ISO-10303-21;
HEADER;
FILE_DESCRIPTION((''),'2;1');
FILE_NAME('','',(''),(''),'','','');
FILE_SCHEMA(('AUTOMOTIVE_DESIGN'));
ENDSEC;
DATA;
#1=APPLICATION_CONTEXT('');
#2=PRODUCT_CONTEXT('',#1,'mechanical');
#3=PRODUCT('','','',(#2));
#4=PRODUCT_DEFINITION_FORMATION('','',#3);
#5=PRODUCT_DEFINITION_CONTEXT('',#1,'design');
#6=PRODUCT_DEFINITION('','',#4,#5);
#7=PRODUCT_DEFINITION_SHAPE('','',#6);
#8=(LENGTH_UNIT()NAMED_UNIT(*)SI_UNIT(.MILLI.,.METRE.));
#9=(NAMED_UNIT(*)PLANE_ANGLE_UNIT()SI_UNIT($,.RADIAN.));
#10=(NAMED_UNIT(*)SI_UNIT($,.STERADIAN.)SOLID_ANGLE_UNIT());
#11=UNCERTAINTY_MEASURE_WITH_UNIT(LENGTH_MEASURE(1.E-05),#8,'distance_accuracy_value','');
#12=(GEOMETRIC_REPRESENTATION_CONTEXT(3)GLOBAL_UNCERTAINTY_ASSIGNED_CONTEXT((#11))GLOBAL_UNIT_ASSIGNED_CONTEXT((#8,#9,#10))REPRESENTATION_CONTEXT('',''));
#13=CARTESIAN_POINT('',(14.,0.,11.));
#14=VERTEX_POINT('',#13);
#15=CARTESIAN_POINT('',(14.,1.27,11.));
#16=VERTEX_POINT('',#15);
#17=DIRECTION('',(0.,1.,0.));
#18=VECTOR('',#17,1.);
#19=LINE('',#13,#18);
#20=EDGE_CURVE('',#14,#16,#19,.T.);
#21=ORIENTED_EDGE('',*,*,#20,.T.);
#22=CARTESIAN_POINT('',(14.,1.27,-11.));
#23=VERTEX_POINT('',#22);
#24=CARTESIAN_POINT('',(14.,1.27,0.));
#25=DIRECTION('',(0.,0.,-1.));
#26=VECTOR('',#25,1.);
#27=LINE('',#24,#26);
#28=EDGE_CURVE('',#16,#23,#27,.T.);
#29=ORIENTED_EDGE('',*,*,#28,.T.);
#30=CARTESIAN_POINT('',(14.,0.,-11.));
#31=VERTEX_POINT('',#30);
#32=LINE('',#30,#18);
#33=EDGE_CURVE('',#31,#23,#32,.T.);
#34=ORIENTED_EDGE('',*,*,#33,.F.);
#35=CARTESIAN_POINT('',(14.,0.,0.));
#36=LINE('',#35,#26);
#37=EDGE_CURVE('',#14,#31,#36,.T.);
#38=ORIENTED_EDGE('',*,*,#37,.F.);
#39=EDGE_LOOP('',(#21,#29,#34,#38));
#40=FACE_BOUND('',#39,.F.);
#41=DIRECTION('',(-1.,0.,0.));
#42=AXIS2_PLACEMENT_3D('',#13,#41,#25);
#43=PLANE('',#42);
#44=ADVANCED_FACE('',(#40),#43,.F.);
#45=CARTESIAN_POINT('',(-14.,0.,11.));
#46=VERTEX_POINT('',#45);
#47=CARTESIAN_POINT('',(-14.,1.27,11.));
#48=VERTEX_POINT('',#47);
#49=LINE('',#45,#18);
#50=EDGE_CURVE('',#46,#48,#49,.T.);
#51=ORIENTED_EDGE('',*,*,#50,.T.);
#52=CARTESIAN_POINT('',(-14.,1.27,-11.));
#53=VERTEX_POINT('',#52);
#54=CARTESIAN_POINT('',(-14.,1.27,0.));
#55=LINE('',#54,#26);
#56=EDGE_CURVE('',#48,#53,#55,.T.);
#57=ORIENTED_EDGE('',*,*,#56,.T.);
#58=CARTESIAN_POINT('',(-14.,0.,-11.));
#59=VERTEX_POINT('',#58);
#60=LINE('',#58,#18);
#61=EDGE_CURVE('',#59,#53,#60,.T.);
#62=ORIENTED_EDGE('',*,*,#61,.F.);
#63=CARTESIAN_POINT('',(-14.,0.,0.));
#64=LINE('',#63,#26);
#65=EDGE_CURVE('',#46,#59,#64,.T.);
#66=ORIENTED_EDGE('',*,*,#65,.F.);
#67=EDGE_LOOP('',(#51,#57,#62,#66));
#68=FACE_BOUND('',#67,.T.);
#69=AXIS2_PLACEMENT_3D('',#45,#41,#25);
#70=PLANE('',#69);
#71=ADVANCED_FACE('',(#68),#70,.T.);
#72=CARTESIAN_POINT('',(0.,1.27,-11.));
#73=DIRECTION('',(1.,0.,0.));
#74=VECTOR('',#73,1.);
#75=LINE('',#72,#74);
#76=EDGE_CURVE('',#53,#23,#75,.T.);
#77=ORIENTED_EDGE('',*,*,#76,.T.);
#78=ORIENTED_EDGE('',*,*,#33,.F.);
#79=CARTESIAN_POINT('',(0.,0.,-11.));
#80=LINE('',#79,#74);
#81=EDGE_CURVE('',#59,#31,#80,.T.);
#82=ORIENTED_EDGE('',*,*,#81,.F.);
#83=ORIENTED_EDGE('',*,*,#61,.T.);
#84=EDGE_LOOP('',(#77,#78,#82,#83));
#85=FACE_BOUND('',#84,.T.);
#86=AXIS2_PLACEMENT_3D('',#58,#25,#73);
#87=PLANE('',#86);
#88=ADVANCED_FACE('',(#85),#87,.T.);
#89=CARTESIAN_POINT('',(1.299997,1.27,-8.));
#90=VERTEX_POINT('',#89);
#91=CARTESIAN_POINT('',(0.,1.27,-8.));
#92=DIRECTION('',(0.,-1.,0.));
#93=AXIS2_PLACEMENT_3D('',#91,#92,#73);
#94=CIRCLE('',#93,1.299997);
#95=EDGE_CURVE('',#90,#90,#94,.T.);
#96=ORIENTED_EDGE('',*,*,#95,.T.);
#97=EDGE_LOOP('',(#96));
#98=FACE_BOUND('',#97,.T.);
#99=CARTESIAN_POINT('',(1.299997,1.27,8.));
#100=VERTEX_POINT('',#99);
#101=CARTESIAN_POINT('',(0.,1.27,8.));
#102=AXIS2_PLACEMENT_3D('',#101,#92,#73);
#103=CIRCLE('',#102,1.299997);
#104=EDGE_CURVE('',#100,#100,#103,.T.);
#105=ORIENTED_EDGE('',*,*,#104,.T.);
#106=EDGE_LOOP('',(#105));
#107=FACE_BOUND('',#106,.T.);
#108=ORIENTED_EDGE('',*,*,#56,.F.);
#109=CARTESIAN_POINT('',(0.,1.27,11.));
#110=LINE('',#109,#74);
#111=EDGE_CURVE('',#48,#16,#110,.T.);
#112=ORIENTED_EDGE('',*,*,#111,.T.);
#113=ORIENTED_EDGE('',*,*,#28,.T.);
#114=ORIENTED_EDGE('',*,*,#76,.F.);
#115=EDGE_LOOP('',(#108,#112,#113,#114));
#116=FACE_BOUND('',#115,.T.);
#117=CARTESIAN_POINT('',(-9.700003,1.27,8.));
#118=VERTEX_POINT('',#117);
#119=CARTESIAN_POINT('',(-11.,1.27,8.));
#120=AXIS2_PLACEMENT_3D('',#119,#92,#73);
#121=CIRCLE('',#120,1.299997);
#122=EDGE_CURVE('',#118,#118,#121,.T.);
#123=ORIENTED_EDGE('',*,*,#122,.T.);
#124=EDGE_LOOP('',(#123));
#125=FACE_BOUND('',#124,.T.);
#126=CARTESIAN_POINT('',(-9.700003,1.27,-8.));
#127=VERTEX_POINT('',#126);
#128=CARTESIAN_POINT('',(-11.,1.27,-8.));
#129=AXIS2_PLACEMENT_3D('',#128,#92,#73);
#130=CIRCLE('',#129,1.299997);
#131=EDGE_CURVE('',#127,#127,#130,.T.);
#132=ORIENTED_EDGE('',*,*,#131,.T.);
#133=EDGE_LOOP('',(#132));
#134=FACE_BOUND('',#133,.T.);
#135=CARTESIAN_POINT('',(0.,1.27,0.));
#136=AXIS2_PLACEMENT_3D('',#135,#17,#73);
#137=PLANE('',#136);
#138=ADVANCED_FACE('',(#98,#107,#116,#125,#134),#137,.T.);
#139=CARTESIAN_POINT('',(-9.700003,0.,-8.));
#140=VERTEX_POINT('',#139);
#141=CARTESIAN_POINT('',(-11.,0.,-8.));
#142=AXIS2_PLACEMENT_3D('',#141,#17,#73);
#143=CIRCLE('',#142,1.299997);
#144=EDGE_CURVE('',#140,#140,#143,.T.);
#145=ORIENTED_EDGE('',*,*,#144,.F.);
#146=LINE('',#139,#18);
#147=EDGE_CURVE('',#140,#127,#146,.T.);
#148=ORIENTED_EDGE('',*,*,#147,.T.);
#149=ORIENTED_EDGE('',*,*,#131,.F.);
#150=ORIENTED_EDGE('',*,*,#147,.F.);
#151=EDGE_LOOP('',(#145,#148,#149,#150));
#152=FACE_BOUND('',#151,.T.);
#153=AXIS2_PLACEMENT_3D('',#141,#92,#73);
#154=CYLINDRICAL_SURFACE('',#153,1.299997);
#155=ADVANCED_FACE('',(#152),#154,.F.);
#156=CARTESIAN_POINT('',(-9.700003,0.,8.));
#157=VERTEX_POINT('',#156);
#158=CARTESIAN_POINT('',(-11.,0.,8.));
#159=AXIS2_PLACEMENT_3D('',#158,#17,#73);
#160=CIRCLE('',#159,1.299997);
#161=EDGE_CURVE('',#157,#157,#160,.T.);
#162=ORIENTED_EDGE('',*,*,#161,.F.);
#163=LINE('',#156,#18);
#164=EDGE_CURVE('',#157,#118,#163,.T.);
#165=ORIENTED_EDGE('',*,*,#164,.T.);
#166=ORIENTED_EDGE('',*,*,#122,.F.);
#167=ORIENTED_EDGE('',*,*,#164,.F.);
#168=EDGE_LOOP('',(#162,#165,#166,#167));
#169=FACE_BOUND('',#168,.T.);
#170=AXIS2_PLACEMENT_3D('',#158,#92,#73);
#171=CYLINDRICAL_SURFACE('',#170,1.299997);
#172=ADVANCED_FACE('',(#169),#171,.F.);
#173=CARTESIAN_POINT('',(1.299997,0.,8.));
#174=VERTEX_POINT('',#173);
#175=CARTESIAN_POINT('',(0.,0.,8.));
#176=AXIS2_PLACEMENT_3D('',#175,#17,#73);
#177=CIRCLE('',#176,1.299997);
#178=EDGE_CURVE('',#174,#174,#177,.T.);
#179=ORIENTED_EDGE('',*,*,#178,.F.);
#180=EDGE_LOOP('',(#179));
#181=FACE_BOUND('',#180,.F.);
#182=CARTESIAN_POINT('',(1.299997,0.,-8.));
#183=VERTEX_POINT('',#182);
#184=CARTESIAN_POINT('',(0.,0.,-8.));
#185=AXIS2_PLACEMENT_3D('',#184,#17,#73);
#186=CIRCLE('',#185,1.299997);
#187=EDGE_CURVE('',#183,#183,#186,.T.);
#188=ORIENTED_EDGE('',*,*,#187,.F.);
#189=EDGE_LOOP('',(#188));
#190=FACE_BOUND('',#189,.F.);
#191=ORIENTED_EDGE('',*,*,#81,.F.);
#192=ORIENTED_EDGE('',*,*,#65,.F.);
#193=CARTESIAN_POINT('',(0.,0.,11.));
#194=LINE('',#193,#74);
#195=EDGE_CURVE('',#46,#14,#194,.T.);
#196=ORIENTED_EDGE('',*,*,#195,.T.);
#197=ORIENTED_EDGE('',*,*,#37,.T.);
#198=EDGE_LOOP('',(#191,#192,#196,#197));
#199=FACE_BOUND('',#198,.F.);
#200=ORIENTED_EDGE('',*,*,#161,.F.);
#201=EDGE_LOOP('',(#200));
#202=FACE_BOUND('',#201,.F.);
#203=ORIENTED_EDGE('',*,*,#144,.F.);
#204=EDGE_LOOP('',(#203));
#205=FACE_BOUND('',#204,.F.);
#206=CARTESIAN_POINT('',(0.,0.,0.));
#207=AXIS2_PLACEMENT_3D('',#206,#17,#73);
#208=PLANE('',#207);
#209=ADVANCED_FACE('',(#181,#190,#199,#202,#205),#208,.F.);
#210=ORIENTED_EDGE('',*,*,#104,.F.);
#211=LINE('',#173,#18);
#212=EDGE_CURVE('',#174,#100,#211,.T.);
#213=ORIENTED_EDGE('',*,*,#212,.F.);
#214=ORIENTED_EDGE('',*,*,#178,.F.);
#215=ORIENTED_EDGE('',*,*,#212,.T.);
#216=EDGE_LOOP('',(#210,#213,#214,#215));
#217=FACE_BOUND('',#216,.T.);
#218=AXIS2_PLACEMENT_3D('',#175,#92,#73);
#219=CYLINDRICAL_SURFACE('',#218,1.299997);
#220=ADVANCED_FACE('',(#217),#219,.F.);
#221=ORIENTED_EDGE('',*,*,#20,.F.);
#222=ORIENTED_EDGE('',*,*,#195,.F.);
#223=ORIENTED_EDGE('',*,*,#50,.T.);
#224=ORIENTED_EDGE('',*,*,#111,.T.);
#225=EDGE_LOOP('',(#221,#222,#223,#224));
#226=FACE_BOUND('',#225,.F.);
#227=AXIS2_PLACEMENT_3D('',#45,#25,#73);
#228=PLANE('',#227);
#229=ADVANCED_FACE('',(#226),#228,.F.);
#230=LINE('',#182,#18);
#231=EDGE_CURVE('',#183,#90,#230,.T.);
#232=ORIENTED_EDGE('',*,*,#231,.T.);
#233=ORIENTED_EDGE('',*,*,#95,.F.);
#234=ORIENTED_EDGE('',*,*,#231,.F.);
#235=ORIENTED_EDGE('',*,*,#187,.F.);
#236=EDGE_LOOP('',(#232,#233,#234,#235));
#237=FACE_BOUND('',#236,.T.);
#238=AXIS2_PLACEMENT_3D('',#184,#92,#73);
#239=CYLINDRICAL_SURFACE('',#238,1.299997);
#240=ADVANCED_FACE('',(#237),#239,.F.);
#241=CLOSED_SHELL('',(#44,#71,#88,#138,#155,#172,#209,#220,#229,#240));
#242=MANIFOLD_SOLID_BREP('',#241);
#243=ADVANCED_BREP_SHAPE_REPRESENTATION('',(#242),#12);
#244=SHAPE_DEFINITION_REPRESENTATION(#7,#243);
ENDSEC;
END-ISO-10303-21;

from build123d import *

# Parameters (mm, degrees)
SKETCH1_W            = 28
SKETCH1_H            = 22
BOSS_EXTRUDE1_DEPTH  = 1.27
SKETCH2_R            = 1.2999974
CUT_EXTRUDE2_DEPTH   = 2.27
LPATTERN1_COUNT      = 2
LPATTERN1_PITCH      = 11
LPATTERN1_COUNT_DIR2 = 2
LPATTERN1_PITCH_DIR2 = 16


with BuildPart() as part:
    # Sketch1 → Boss-Extrude1 (new body)
    with BuildSketch(Plane(origin=(0, 0, 0), x_dir=(1, 0, 0), z_dir=(0, 1, 0))):
        Rectangle(SKETCH1_W, SKETCH1_H)
    extrude(amount=BOSS_EXTRUDE1_DEPTH)

    # Sketch2 → Cut-Extrude2 (cut, through all)
    with BuildSketch(Plane(origin=(0, 0, 0), x_dir=(1, 0, 0), z_dir=(0, 1, 0))):
        with Locations((-11, 8)):
            Circle(SKETCH2_R)
    cut_extrude2 = extrude(amount=CUT_EXTRUDE2_DEPTH, mode=Mode.SUBTRACT)

    # LPattern1: Cut-Extrude2 2 × 2
    with Locations(*[(i * LPATTERN1_PITCH, 0, j * LPATTERN1_PITCH_DIR2) for i in range(LPATTERN1_COUNT) for j in range(LPATTERN1_COUNT_DIR2) if (i, j) != (0, 0)]):
        add(cut_extrude2, mode=Mode.SUBTRACT)


solid = part.part
